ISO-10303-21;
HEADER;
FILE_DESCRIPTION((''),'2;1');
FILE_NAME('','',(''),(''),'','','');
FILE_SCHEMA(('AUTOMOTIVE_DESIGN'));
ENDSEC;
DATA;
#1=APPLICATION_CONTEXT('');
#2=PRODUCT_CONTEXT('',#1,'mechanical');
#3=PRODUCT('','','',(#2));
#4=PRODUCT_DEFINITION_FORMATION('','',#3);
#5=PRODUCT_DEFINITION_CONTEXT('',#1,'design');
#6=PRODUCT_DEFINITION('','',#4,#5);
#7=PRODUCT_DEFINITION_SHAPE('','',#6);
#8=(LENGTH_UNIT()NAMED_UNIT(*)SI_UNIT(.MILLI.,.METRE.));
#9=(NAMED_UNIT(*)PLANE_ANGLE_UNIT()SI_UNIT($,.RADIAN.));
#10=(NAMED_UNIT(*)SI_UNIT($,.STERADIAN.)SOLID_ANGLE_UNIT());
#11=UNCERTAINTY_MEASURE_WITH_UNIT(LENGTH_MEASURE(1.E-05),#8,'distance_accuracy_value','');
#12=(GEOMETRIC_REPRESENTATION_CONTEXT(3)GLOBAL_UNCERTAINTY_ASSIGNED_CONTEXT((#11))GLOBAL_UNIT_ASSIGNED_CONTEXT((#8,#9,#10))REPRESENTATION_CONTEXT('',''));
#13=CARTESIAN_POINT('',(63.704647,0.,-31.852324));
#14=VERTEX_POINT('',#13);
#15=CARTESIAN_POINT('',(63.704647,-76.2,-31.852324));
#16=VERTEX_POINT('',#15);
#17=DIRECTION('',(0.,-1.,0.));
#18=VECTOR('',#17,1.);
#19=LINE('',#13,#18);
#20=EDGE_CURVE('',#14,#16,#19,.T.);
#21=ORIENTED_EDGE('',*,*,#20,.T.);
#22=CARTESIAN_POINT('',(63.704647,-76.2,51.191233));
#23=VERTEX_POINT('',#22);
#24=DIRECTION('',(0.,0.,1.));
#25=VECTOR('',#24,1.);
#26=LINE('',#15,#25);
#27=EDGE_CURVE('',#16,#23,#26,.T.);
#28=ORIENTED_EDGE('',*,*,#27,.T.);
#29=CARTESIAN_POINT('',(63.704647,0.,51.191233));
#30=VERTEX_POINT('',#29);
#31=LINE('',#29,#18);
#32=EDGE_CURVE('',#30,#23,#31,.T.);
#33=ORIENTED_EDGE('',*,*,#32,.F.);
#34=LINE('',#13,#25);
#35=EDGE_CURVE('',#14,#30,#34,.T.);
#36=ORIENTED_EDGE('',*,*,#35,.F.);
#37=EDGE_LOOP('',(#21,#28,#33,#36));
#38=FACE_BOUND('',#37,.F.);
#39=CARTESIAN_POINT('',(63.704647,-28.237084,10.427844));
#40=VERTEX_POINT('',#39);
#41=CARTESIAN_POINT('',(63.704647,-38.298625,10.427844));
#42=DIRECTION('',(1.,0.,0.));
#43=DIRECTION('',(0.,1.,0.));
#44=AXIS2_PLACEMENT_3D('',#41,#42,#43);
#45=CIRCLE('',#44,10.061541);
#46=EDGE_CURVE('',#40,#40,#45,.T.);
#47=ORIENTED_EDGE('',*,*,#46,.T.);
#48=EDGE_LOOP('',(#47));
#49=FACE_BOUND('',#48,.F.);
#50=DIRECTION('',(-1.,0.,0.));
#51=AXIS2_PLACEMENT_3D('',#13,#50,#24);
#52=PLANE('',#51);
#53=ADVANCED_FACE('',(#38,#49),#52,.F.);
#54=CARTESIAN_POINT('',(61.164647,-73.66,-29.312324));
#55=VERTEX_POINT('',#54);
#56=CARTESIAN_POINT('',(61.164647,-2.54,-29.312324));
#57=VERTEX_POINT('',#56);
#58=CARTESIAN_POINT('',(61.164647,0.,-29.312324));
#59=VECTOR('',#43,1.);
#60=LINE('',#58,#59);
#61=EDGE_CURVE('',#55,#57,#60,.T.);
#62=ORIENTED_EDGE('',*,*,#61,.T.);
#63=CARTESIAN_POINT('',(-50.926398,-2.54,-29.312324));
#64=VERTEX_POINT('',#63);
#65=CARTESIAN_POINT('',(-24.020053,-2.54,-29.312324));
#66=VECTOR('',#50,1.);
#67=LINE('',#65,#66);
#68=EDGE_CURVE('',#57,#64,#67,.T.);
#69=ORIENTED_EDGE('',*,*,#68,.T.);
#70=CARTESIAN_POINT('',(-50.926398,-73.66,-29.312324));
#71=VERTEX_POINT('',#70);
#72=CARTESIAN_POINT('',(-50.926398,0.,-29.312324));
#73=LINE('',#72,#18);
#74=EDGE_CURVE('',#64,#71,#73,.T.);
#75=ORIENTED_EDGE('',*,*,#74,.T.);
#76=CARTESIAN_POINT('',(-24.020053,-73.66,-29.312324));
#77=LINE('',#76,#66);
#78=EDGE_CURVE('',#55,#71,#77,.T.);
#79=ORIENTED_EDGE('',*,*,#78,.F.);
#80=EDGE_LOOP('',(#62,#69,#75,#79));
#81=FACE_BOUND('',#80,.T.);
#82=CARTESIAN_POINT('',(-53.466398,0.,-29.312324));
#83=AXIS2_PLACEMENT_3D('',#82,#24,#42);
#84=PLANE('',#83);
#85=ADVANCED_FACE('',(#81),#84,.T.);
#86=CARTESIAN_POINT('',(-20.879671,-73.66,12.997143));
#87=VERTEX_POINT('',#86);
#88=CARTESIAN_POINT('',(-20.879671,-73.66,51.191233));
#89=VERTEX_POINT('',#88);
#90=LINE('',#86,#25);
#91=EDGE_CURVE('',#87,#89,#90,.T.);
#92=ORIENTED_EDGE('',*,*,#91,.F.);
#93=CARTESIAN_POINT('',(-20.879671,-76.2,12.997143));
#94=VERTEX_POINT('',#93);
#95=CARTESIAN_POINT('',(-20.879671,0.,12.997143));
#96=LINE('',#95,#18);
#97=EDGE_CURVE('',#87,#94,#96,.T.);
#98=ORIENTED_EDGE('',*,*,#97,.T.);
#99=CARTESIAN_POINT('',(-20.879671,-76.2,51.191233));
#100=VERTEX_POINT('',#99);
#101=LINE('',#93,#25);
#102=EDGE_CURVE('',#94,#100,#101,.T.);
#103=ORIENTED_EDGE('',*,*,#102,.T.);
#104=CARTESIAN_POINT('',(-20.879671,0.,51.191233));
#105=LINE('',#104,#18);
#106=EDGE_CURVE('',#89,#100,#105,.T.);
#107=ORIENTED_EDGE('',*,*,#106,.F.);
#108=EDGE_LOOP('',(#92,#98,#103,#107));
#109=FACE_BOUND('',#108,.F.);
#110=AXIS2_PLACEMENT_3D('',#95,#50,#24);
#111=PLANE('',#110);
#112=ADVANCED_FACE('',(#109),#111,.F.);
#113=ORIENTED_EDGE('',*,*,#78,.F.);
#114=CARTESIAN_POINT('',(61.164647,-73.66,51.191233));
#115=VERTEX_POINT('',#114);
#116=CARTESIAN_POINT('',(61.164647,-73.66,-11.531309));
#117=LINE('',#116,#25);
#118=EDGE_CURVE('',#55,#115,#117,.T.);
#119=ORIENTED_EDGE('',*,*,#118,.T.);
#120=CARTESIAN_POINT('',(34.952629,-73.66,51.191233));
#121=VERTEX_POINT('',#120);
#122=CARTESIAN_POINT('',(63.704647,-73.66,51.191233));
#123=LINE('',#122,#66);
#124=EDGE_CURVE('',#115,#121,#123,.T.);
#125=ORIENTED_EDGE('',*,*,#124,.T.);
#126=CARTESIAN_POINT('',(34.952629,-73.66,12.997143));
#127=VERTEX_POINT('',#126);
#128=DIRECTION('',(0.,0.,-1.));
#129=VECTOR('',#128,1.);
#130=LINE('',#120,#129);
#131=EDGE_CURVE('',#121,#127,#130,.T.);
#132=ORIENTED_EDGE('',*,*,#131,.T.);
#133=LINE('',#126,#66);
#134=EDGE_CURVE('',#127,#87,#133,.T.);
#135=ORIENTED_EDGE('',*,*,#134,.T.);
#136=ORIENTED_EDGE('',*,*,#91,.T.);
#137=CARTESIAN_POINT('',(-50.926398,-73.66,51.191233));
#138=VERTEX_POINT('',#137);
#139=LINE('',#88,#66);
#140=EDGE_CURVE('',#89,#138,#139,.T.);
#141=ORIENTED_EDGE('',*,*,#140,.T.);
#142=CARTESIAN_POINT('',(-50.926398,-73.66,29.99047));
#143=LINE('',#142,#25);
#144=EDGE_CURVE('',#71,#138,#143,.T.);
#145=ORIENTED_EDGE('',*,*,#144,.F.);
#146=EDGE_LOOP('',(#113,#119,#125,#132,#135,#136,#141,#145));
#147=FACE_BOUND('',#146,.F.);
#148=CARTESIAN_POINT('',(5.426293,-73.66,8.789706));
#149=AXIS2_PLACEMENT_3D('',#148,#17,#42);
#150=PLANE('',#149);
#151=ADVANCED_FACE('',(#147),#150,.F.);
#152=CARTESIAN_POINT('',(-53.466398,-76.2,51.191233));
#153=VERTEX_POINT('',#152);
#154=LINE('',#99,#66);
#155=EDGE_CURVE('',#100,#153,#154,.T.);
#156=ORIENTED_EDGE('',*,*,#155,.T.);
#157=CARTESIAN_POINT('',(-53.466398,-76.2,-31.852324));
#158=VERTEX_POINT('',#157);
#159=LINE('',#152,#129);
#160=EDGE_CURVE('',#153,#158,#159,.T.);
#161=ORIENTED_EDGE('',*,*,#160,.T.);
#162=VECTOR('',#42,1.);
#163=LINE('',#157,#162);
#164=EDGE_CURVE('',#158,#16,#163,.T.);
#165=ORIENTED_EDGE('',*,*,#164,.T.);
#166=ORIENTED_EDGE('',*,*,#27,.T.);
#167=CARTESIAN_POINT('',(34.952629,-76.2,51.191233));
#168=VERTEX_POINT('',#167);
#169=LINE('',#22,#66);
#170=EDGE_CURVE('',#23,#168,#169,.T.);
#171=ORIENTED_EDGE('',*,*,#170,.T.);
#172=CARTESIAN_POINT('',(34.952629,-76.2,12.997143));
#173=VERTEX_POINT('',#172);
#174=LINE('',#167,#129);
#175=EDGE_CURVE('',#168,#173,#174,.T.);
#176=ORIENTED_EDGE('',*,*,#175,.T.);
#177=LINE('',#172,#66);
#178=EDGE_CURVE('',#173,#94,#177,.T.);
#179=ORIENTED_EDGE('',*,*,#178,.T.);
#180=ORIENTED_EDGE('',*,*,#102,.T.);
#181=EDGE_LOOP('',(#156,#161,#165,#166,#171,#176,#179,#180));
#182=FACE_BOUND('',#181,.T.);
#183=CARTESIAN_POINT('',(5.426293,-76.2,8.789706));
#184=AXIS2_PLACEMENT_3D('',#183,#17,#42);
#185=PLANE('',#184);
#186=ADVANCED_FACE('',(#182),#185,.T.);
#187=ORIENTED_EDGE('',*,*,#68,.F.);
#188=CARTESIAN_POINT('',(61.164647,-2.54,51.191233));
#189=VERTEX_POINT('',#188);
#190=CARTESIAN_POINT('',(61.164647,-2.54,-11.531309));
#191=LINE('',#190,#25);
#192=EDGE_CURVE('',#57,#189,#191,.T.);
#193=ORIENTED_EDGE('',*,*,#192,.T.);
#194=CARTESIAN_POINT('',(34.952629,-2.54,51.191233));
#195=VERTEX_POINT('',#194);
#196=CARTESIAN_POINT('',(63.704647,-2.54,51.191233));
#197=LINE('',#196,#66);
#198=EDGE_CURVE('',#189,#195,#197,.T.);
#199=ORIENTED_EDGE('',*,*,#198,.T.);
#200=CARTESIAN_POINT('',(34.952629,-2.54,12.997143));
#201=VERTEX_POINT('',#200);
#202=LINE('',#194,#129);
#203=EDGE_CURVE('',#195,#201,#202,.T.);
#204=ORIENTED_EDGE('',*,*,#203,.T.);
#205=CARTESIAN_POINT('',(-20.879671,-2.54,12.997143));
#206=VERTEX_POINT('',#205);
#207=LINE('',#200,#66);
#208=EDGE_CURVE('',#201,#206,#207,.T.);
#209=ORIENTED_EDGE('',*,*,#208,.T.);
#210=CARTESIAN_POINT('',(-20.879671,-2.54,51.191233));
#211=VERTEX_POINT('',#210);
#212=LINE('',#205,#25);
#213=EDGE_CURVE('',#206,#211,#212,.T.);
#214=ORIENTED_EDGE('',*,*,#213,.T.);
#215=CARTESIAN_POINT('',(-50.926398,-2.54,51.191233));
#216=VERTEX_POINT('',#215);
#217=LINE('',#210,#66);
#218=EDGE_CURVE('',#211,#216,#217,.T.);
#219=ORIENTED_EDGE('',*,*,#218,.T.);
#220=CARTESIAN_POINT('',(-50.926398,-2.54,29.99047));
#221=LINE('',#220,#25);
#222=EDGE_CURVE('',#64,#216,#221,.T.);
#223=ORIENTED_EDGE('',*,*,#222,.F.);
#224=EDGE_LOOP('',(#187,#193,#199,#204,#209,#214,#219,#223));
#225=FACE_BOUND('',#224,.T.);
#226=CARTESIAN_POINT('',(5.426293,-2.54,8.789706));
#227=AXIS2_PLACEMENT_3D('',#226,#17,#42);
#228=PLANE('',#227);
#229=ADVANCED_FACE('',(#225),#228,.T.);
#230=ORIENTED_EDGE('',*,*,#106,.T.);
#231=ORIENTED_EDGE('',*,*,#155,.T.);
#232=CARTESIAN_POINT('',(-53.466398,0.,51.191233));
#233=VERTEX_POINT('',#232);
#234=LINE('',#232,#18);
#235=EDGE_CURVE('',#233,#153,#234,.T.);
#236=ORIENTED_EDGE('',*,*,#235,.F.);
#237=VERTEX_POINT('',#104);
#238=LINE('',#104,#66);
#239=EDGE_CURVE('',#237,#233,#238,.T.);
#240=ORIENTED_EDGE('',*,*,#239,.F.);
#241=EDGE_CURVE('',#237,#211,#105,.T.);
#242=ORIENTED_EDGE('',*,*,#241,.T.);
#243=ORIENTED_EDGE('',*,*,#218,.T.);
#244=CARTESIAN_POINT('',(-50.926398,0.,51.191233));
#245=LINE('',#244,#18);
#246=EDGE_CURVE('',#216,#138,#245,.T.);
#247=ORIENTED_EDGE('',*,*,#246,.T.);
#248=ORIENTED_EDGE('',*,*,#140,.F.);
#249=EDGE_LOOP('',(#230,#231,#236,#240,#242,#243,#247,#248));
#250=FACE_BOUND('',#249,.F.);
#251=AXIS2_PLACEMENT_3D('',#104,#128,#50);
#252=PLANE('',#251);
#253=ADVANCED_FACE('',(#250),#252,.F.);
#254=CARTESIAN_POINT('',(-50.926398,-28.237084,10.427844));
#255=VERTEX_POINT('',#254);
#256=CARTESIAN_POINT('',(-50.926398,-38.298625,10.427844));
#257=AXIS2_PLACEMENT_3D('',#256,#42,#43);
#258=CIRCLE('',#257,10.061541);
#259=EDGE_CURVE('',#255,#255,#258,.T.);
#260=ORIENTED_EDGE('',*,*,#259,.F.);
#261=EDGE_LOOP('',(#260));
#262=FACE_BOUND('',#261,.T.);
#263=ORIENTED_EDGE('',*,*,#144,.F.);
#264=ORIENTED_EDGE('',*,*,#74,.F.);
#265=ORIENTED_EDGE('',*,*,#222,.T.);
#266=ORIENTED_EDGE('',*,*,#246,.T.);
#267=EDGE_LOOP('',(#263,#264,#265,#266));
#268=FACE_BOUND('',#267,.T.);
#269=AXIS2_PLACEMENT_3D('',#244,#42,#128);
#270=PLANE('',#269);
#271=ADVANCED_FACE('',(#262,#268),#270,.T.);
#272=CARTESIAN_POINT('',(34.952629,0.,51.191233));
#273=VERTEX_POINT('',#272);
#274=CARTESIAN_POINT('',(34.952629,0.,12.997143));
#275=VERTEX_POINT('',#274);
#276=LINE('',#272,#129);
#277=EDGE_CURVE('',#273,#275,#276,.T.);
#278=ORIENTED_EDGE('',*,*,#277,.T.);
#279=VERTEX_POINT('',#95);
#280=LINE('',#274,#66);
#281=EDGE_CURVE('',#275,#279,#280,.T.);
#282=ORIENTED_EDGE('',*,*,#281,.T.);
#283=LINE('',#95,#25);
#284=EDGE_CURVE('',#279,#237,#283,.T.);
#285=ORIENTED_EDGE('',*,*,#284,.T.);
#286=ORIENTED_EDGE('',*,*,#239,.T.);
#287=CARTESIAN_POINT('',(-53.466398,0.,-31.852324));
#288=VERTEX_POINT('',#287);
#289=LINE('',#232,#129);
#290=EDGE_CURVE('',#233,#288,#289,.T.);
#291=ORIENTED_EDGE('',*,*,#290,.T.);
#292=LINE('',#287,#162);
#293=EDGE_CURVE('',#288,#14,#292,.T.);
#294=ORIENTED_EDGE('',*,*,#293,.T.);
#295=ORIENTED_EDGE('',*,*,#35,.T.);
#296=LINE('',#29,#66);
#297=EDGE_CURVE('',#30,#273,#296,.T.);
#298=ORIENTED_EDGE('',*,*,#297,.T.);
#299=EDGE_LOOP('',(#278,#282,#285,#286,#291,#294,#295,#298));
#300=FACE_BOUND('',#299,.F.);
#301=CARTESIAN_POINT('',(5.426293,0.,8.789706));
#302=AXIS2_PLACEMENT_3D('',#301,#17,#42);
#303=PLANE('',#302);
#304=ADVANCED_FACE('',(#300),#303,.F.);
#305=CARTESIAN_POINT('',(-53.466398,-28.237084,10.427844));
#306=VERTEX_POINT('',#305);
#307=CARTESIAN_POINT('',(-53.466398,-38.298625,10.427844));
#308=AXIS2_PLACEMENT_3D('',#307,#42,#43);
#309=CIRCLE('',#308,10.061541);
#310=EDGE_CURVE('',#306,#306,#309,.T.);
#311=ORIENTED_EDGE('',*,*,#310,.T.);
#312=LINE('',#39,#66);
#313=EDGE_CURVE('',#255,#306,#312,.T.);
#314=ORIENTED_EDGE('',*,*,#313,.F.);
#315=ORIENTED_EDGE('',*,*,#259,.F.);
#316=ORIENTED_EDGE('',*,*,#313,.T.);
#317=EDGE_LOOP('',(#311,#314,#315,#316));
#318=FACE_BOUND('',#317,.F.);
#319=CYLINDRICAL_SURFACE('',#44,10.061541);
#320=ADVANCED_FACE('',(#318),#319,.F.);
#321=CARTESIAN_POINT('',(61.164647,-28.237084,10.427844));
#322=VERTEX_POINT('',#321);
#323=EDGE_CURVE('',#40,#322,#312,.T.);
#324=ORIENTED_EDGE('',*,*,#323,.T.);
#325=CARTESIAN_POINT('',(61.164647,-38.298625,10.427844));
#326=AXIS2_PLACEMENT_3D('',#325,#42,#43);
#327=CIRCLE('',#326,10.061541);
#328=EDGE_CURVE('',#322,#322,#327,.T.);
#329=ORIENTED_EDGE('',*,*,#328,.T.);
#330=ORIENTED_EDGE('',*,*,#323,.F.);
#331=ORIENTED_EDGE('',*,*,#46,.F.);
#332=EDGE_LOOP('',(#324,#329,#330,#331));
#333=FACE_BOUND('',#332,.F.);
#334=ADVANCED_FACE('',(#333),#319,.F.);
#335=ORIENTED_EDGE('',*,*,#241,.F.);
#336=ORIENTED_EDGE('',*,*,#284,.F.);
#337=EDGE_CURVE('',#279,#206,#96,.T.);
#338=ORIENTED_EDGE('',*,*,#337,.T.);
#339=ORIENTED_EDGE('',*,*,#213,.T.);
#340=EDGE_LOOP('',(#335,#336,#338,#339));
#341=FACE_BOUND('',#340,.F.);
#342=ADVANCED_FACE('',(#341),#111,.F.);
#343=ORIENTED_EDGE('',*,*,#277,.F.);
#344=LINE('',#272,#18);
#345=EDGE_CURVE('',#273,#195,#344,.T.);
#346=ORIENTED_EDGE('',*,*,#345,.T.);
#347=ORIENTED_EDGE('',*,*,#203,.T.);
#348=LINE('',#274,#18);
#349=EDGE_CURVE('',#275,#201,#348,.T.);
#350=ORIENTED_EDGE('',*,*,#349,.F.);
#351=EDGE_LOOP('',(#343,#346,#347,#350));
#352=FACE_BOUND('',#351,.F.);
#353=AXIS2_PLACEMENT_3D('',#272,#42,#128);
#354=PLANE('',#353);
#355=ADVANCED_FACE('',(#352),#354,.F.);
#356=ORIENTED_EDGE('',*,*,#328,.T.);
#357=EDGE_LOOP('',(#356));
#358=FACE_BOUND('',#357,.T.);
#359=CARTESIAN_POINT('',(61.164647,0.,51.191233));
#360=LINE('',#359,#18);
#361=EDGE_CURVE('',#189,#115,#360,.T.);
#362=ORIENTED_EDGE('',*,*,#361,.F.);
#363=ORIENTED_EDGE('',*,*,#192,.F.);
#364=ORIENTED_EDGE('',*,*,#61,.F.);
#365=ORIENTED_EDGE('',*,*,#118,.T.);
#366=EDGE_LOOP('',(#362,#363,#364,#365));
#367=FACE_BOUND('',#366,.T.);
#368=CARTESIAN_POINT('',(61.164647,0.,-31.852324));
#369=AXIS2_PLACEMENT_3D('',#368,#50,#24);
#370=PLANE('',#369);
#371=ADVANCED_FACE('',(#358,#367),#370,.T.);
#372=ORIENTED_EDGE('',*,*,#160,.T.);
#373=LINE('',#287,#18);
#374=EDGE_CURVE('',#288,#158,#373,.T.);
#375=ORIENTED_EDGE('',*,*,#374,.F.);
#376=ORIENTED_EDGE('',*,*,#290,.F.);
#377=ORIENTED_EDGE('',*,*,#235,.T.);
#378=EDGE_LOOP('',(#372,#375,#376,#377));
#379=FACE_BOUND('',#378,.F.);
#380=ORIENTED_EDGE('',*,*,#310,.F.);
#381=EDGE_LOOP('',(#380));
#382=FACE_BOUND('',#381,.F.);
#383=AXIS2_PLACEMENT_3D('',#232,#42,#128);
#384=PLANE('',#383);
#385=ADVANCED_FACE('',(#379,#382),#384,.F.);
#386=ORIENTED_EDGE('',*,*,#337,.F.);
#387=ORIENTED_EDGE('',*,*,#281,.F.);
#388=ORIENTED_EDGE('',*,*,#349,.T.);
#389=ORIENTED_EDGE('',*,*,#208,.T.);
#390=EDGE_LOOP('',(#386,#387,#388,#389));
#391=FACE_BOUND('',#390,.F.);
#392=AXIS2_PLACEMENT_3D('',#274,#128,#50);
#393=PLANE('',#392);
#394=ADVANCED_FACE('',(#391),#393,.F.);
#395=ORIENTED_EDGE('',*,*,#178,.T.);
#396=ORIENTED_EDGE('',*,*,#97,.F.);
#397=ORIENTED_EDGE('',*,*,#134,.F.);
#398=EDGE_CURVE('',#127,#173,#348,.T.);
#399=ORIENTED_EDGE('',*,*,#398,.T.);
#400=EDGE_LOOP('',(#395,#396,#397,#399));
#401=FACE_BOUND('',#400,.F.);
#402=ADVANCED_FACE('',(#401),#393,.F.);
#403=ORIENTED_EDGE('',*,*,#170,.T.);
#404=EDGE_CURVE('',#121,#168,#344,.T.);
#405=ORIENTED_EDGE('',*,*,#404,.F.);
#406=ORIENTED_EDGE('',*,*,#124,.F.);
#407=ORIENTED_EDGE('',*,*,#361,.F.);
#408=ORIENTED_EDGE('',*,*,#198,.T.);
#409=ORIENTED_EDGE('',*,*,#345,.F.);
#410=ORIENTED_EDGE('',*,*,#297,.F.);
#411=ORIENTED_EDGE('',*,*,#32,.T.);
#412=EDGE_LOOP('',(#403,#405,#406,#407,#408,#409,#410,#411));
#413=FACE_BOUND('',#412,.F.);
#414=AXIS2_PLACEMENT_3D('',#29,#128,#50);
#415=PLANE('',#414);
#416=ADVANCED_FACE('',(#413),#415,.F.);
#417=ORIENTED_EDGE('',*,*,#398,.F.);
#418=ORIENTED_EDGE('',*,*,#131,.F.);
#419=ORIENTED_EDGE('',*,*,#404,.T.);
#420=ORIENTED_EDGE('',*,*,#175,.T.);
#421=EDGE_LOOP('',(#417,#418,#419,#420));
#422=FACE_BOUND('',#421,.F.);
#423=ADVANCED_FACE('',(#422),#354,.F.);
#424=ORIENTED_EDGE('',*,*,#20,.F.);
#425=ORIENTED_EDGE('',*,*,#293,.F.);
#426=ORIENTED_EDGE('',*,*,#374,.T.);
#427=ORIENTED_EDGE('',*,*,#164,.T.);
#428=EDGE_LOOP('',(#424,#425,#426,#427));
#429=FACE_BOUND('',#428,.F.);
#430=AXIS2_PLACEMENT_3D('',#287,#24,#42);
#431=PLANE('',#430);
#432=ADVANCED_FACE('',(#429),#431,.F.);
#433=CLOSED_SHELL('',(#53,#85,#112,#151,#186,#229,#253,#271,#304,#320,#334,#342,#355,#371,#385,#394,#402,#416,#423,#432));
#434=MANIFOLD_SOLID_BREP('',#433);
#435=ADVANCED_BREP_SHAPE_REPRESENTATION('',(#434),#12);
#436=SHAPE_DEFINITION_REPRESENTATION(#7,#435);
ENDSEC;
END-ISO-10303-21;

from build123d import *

# Parameters (mm, degrees)
F1_DEPTH = 76.2
F2_T     = -2.54
F3_R     = 10.061541377
F4_DEPTH = 117.1720453928


with BuildPart() as f1:
    # F0 (on Front) → F1 (new body)
    with BuildSketch(Plane.XZ):
        Polygon((-20.8796709776, 51.1912330985), (-53.4663982689, 51.1912330985), (-53.4663982689, -31.8523235619), (63.7046471238, -31.8523235619), (63.7046471238, 51.1912330985), (34.9526293576, 51.1912330985), (34.9526293576, 12.9971429706), (-20.8796709776, 12.9971429706), align=None)
    extrude(amount=F1_DEPTH)

    # F2
    f2_openings = [f1.faces().sort_by_distance(p)[0] for p in [
        (-37.173035, -38.1, 51.191233),
        (49.328638, -38.1, 51.191233),
        (-20.879671, -38.1, 32.094188),
        (7.036479, -38.1, 12.997143),
        (34.952629, -38.1, 32.094188),
    ]]
    offset(amount=F2_T, openings=f2_openings)

    # F3 (on face) → F4 (cut, through all)
    with BuildSketch(Plane.YZ.offset(63.7046471238)):
        with Locations((-38.298625499, 10.4278437793)):
            Circle(F3_R)
    extrude(amount=-F4_DEPTH, mode=Mode.SUBTRACT)


solid = f1.part
